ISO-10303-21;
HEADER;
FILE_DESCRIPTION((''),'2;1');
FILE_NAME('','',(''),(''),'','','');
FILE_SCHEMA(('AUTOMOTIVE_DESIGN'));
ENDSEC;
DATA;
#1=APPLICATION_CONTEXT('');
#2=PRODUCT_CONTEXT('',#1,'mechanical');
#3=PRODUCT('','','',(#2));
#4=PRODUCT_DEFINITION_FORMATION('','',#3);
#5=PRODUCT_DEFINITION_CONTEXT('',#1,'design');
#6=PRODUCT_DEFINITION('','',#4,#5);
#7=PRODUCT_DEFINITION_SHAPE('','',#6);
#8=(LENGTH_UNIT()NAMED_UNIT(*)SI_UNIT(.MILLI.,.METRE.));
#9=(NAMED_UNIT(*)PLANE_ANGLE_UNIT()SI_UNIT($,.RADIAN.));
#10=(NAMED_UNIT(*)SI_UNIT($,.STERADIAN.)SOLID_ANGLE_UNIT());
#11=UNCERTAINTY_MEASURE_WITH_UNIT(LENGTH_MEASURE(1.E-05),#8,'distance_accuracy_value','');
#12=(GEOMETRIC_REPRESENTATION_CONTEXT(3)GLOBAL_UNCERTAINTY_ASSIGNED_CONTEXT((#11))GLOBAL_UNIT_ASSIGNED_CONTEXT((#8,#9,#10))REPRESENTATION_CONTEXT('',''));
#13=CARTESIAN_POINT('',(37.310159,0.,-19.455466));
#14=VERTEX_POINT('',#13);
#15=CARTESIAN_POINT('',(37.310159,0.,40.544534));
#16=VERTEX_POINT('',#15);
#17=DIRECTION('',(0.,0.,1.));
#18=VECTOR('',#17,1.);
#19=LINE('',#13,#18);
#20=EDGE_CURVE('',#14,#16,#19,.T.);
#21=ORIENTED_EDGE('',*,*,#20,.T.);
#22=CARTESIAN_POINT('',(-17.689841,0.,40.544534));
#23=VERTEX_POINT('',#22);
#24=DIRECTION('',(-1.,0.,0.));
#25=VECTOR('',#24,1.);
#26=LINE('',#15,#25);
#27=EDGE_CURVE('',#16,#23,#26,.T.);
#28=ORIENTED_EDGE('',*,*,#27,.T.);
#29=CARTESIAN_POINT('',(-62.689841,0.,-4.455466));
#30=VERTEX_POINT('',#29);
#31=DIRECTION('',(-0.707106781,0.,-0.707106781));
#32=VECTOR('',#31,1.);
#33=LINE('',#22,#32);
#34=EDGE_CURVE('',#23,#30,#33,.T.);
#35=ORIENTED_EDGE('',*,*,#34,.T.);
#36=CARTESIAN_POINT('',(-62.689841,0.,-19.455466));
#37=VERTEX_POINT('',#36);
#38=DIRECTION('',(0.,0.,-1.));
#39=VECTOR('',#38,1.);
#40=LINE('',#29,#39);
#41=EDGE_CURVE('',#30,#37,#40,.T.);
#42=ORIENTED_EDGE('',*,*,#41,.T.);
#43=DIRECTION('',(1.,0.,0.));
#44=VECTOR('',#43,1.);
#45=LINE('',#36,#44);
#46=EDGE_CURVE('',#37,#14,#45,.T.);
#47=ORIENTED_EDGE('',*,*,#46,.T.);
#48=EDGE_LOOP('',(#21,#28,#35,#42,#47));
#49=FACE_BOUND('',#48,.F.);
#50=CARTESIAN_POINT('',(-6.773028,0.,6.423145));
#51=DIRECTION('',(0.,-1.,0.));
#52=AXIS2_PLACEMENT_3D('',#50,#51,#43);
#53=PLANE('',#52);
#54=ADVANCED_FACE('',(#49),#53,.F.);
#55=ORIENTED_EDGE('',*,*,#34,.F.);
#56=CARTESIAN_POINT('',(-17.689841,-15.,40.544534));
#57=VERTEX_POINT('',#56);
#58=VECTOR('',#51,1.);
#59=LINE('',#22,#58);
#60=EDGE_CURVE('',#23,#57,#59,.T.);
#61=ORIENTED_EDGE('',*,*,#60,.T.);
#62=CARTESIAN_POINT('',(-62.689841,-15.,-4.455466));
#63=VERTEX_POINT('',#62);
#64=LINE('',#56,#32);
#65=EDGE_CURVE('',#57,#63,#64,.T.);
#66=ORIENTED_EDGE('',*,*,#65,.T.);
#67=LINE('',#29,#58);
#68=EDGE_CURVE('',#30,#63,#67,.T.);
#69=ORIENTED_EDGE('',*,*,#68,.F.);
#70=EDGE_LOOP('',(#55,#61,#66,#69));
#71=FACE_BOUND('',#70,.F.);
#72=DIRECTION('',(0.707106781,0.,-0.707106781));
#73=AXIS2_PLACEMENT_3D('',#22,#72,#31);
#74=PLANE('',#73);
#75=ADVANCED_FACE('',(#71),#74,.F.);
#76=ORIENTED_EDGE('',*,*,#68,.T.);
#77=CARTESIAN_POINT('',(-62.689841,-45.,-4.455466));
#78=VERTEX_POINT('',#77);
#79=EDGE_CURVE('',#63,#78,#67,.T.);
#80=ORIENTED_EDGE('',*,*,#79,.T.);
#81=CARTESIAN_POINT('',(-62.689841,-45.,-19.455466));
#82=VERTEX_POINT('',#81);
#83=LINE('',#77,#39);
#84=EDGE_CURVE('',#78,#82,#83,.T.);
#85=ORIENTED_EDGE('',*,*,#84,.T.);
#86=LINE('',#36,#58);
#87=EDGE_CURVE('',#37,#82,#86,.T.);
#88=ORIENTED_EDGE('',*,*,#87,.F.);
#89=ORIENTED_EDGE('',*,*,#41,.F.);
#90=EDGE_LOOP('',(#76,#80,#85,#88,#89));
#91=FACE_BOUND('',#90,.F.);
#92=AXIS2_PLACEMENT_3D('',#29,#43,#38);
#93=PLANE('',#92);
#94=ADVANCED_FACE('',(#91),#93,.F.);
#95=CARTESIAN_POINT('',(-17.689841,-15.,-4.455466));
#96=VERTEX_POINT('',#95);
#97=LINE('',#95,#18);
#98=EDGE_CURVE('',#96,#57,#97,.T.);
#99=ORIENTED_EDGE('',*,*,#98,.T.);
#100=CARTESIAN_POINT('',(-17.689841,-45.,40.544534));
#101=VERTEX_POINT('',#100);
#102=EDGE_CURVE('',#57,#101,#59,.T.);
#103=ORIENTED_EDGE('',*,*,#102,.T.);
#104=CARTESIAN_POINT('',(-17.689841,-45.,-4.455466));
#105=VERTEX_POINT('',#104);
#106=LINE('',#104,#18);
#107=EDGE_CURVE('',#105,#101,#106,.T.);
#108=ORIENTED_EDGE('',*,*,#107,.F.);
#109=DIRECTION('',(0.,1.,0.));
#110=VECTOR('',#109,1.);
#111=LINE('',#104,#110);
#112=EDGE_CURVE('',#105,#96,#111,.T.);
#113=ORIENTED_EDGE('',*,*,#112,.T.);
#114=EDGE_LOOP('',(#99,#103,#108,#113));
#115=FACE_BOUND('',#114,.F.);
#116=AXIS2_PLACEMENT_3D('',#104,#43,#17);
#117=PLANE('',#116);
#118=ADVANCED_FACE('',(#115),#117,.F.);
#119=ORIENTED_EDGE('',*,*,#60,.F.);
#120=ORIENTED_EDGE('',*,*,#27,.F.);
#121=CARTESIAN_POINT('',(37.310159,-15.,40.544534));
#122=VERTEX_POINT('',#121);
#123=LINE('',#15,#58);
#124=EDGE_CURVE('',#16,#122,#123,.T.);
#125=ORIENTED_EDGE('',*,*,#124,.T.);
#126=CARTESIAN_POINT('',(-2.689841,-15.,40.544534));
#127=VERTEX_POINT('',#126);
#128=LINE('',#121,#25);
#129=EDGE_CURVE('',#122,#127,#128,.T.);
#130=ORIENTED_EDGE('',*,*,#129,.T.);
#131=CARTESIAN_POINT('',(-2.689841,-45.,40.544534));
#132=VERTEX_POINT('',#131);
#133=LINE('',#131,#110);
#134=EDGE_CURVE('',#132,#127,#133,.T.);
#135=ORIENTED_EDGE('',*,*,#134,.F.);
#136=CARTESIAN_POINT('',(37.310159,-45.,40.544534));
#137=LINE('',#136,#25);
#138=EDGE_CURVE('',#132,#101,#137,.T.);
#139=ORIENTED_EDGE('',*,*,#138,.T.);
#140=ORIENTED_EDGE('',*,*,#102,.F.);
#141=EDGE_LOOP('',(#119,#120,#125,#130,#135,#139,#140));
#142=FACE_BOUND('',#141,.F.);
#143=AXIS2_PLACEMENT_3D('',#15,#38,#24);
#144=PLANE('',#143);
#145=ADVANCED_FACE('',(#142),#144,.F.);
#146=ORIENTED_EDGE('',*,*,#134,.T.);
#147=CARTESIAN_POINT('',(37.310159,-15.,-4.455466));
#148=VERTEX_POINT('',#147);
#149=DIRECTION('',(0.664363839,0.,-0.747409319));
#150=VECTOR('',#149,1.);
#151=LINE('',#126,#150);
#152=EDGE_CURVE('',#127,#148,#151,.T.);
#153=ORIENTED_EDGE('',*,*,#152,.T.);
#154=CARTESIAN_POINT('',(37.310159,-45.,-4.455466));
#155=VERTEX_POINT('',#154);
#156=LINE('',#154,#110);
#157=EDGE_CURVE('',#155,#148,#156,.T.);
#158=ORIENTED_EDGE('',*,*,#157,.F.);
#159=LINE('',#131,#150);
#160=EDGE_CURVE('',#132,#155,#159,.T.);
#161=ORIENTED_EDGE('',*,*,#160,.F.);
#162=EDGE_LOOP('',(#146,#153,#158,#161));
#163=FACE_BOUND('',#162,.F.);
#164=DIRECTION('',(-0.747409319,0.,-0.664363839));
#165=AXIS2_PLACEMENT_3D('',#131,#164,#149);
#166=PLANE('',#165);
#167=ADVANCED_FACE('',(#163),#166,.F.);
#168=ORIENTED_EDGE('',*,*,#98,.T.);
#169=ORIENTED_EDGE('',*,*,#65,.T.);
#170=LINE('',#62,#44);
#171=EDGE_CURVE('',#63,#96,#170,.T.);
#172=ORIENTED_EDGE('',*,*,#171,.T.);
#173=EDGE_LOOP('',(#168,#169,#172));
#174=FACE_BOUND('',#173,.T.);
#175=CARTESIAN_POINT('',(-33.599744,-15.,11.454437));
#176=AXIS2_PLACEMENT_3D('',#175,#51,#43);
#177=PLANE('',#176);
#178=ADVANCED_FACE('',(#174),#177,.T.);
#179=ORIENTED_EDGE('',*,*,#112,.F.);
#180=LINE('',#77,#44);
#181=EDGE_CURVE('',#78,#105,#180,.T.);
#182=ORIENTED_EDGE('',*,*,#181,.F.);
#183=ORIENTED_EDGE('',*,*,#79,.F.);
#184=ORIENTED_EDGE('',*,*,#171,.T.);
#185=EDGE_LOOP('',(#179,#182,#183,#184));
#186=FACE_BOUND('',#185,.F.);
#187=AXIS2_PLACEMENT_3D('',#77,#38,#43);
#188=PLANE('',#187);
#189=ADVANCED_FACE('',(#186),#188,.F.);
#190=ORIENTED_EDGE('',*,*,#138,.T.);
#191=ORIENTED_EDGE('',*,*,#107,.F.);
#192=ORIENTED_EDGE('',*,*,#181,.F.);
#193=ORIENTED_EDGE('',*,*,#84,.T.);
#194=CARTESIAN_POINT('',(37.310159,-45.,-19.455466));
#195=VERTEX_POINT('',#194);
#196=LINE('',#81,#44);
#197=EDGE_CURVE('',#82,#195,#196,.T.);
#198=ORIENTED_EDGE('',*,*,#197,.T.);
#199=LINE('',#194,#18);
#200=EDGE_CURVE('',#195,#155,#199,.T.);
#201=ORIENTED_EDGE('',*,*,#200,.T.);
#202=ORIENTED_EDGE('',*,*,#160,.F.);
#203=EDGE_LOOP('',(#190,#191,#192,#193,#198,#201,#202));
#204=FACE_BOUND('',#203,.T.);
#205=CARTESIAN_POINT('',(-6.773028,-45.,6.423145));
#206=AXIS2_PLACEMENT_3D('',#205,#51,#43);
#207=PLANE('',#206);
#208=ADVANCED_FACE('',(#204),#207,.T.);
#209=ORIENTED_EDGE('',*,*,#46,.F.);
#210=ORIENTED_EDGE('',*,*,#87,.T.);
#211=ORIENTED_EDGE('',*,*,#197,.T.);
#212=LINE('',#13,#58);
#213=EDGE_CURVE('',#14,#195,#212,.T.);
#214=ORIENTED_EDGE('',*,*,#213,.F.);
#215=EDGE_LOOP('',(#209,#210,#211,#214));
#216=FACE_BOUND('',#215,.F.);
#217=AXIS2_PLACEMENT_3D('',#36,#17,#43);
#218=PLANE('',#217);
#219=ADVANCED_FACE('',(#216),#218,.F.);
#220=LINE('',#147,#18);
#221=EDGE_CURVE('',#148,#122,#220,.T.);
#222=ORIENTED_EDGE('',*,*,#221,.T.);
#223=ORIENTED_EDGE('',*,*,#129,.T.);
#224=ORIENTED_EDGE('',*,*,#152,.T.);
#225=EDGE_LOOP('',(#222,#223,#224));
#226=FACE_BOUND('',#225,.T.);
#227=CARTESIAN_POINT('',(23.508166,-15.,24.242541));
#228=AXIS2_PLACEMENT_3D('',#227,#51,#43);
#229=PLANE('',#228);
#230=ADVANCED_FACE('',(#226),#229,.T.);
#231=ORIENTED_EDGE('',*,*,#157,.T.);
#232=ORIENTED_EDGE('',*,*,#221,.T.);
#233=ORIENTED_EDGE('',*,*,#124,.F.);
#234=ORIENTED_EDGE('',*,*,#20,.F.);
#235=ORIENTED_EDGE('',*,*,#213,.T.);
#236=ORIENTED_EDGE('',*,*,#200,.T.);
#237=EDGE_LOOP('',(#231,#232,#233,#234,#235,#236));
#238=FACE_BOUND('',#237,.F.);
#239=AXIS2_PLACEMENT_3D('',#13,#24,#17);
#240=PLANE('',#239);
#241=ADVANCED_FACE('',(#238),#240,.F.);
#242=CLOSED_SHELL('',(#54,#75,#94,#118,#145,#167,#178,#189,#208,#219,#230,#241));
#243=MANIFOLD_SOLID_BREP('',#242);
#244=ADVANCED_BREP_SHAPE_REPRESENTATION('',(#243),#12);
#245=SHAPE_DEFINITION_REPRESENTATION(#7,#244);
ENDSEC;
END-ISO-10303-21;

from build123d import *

# Parameters (mm, degrees)
F1_DEPTH = 45
F3_DEPTH = 30
F5_DEPTH = 30


with BuildPart() as f1:
    # F0 (on Front) → F1 (new body)
    with BuildSketch(Plane.XZ):
        Polygon((-17.689841, 40.544534), (-62.689841, -4.455466), (-62.689841, -19.455466), (37.310159, -19.455466), (37.310159, -4.455466), (37.310159, 40.544534), (-2.689841, 40.544534), align=None)
    extrude(amount=F1_DEPTH)

    # F2 (on face) → F3 (cut)
    with BuildSketch(Plane.XZ.offset(45)):
        Polygon((-17.689841, -4.455466), (-17.689841, 40.544534), (-62.689841, -4.455466), align=None)
    extrude(amount=-F3_DEPTH, mode=Mode.SUBTRACT)

    # F4 (on face) → F5 (cut)
    with BuildSketch(Plane.XZ.offset(45)):
        Polygon((37.310159, 40.544534), (-2.689841, 40.544534), (37.310159, -4.455466), align=None)
    extrude(amount=-F5_DEPTH, mode=Mode.SUBTRACT)


solid = f1.part
